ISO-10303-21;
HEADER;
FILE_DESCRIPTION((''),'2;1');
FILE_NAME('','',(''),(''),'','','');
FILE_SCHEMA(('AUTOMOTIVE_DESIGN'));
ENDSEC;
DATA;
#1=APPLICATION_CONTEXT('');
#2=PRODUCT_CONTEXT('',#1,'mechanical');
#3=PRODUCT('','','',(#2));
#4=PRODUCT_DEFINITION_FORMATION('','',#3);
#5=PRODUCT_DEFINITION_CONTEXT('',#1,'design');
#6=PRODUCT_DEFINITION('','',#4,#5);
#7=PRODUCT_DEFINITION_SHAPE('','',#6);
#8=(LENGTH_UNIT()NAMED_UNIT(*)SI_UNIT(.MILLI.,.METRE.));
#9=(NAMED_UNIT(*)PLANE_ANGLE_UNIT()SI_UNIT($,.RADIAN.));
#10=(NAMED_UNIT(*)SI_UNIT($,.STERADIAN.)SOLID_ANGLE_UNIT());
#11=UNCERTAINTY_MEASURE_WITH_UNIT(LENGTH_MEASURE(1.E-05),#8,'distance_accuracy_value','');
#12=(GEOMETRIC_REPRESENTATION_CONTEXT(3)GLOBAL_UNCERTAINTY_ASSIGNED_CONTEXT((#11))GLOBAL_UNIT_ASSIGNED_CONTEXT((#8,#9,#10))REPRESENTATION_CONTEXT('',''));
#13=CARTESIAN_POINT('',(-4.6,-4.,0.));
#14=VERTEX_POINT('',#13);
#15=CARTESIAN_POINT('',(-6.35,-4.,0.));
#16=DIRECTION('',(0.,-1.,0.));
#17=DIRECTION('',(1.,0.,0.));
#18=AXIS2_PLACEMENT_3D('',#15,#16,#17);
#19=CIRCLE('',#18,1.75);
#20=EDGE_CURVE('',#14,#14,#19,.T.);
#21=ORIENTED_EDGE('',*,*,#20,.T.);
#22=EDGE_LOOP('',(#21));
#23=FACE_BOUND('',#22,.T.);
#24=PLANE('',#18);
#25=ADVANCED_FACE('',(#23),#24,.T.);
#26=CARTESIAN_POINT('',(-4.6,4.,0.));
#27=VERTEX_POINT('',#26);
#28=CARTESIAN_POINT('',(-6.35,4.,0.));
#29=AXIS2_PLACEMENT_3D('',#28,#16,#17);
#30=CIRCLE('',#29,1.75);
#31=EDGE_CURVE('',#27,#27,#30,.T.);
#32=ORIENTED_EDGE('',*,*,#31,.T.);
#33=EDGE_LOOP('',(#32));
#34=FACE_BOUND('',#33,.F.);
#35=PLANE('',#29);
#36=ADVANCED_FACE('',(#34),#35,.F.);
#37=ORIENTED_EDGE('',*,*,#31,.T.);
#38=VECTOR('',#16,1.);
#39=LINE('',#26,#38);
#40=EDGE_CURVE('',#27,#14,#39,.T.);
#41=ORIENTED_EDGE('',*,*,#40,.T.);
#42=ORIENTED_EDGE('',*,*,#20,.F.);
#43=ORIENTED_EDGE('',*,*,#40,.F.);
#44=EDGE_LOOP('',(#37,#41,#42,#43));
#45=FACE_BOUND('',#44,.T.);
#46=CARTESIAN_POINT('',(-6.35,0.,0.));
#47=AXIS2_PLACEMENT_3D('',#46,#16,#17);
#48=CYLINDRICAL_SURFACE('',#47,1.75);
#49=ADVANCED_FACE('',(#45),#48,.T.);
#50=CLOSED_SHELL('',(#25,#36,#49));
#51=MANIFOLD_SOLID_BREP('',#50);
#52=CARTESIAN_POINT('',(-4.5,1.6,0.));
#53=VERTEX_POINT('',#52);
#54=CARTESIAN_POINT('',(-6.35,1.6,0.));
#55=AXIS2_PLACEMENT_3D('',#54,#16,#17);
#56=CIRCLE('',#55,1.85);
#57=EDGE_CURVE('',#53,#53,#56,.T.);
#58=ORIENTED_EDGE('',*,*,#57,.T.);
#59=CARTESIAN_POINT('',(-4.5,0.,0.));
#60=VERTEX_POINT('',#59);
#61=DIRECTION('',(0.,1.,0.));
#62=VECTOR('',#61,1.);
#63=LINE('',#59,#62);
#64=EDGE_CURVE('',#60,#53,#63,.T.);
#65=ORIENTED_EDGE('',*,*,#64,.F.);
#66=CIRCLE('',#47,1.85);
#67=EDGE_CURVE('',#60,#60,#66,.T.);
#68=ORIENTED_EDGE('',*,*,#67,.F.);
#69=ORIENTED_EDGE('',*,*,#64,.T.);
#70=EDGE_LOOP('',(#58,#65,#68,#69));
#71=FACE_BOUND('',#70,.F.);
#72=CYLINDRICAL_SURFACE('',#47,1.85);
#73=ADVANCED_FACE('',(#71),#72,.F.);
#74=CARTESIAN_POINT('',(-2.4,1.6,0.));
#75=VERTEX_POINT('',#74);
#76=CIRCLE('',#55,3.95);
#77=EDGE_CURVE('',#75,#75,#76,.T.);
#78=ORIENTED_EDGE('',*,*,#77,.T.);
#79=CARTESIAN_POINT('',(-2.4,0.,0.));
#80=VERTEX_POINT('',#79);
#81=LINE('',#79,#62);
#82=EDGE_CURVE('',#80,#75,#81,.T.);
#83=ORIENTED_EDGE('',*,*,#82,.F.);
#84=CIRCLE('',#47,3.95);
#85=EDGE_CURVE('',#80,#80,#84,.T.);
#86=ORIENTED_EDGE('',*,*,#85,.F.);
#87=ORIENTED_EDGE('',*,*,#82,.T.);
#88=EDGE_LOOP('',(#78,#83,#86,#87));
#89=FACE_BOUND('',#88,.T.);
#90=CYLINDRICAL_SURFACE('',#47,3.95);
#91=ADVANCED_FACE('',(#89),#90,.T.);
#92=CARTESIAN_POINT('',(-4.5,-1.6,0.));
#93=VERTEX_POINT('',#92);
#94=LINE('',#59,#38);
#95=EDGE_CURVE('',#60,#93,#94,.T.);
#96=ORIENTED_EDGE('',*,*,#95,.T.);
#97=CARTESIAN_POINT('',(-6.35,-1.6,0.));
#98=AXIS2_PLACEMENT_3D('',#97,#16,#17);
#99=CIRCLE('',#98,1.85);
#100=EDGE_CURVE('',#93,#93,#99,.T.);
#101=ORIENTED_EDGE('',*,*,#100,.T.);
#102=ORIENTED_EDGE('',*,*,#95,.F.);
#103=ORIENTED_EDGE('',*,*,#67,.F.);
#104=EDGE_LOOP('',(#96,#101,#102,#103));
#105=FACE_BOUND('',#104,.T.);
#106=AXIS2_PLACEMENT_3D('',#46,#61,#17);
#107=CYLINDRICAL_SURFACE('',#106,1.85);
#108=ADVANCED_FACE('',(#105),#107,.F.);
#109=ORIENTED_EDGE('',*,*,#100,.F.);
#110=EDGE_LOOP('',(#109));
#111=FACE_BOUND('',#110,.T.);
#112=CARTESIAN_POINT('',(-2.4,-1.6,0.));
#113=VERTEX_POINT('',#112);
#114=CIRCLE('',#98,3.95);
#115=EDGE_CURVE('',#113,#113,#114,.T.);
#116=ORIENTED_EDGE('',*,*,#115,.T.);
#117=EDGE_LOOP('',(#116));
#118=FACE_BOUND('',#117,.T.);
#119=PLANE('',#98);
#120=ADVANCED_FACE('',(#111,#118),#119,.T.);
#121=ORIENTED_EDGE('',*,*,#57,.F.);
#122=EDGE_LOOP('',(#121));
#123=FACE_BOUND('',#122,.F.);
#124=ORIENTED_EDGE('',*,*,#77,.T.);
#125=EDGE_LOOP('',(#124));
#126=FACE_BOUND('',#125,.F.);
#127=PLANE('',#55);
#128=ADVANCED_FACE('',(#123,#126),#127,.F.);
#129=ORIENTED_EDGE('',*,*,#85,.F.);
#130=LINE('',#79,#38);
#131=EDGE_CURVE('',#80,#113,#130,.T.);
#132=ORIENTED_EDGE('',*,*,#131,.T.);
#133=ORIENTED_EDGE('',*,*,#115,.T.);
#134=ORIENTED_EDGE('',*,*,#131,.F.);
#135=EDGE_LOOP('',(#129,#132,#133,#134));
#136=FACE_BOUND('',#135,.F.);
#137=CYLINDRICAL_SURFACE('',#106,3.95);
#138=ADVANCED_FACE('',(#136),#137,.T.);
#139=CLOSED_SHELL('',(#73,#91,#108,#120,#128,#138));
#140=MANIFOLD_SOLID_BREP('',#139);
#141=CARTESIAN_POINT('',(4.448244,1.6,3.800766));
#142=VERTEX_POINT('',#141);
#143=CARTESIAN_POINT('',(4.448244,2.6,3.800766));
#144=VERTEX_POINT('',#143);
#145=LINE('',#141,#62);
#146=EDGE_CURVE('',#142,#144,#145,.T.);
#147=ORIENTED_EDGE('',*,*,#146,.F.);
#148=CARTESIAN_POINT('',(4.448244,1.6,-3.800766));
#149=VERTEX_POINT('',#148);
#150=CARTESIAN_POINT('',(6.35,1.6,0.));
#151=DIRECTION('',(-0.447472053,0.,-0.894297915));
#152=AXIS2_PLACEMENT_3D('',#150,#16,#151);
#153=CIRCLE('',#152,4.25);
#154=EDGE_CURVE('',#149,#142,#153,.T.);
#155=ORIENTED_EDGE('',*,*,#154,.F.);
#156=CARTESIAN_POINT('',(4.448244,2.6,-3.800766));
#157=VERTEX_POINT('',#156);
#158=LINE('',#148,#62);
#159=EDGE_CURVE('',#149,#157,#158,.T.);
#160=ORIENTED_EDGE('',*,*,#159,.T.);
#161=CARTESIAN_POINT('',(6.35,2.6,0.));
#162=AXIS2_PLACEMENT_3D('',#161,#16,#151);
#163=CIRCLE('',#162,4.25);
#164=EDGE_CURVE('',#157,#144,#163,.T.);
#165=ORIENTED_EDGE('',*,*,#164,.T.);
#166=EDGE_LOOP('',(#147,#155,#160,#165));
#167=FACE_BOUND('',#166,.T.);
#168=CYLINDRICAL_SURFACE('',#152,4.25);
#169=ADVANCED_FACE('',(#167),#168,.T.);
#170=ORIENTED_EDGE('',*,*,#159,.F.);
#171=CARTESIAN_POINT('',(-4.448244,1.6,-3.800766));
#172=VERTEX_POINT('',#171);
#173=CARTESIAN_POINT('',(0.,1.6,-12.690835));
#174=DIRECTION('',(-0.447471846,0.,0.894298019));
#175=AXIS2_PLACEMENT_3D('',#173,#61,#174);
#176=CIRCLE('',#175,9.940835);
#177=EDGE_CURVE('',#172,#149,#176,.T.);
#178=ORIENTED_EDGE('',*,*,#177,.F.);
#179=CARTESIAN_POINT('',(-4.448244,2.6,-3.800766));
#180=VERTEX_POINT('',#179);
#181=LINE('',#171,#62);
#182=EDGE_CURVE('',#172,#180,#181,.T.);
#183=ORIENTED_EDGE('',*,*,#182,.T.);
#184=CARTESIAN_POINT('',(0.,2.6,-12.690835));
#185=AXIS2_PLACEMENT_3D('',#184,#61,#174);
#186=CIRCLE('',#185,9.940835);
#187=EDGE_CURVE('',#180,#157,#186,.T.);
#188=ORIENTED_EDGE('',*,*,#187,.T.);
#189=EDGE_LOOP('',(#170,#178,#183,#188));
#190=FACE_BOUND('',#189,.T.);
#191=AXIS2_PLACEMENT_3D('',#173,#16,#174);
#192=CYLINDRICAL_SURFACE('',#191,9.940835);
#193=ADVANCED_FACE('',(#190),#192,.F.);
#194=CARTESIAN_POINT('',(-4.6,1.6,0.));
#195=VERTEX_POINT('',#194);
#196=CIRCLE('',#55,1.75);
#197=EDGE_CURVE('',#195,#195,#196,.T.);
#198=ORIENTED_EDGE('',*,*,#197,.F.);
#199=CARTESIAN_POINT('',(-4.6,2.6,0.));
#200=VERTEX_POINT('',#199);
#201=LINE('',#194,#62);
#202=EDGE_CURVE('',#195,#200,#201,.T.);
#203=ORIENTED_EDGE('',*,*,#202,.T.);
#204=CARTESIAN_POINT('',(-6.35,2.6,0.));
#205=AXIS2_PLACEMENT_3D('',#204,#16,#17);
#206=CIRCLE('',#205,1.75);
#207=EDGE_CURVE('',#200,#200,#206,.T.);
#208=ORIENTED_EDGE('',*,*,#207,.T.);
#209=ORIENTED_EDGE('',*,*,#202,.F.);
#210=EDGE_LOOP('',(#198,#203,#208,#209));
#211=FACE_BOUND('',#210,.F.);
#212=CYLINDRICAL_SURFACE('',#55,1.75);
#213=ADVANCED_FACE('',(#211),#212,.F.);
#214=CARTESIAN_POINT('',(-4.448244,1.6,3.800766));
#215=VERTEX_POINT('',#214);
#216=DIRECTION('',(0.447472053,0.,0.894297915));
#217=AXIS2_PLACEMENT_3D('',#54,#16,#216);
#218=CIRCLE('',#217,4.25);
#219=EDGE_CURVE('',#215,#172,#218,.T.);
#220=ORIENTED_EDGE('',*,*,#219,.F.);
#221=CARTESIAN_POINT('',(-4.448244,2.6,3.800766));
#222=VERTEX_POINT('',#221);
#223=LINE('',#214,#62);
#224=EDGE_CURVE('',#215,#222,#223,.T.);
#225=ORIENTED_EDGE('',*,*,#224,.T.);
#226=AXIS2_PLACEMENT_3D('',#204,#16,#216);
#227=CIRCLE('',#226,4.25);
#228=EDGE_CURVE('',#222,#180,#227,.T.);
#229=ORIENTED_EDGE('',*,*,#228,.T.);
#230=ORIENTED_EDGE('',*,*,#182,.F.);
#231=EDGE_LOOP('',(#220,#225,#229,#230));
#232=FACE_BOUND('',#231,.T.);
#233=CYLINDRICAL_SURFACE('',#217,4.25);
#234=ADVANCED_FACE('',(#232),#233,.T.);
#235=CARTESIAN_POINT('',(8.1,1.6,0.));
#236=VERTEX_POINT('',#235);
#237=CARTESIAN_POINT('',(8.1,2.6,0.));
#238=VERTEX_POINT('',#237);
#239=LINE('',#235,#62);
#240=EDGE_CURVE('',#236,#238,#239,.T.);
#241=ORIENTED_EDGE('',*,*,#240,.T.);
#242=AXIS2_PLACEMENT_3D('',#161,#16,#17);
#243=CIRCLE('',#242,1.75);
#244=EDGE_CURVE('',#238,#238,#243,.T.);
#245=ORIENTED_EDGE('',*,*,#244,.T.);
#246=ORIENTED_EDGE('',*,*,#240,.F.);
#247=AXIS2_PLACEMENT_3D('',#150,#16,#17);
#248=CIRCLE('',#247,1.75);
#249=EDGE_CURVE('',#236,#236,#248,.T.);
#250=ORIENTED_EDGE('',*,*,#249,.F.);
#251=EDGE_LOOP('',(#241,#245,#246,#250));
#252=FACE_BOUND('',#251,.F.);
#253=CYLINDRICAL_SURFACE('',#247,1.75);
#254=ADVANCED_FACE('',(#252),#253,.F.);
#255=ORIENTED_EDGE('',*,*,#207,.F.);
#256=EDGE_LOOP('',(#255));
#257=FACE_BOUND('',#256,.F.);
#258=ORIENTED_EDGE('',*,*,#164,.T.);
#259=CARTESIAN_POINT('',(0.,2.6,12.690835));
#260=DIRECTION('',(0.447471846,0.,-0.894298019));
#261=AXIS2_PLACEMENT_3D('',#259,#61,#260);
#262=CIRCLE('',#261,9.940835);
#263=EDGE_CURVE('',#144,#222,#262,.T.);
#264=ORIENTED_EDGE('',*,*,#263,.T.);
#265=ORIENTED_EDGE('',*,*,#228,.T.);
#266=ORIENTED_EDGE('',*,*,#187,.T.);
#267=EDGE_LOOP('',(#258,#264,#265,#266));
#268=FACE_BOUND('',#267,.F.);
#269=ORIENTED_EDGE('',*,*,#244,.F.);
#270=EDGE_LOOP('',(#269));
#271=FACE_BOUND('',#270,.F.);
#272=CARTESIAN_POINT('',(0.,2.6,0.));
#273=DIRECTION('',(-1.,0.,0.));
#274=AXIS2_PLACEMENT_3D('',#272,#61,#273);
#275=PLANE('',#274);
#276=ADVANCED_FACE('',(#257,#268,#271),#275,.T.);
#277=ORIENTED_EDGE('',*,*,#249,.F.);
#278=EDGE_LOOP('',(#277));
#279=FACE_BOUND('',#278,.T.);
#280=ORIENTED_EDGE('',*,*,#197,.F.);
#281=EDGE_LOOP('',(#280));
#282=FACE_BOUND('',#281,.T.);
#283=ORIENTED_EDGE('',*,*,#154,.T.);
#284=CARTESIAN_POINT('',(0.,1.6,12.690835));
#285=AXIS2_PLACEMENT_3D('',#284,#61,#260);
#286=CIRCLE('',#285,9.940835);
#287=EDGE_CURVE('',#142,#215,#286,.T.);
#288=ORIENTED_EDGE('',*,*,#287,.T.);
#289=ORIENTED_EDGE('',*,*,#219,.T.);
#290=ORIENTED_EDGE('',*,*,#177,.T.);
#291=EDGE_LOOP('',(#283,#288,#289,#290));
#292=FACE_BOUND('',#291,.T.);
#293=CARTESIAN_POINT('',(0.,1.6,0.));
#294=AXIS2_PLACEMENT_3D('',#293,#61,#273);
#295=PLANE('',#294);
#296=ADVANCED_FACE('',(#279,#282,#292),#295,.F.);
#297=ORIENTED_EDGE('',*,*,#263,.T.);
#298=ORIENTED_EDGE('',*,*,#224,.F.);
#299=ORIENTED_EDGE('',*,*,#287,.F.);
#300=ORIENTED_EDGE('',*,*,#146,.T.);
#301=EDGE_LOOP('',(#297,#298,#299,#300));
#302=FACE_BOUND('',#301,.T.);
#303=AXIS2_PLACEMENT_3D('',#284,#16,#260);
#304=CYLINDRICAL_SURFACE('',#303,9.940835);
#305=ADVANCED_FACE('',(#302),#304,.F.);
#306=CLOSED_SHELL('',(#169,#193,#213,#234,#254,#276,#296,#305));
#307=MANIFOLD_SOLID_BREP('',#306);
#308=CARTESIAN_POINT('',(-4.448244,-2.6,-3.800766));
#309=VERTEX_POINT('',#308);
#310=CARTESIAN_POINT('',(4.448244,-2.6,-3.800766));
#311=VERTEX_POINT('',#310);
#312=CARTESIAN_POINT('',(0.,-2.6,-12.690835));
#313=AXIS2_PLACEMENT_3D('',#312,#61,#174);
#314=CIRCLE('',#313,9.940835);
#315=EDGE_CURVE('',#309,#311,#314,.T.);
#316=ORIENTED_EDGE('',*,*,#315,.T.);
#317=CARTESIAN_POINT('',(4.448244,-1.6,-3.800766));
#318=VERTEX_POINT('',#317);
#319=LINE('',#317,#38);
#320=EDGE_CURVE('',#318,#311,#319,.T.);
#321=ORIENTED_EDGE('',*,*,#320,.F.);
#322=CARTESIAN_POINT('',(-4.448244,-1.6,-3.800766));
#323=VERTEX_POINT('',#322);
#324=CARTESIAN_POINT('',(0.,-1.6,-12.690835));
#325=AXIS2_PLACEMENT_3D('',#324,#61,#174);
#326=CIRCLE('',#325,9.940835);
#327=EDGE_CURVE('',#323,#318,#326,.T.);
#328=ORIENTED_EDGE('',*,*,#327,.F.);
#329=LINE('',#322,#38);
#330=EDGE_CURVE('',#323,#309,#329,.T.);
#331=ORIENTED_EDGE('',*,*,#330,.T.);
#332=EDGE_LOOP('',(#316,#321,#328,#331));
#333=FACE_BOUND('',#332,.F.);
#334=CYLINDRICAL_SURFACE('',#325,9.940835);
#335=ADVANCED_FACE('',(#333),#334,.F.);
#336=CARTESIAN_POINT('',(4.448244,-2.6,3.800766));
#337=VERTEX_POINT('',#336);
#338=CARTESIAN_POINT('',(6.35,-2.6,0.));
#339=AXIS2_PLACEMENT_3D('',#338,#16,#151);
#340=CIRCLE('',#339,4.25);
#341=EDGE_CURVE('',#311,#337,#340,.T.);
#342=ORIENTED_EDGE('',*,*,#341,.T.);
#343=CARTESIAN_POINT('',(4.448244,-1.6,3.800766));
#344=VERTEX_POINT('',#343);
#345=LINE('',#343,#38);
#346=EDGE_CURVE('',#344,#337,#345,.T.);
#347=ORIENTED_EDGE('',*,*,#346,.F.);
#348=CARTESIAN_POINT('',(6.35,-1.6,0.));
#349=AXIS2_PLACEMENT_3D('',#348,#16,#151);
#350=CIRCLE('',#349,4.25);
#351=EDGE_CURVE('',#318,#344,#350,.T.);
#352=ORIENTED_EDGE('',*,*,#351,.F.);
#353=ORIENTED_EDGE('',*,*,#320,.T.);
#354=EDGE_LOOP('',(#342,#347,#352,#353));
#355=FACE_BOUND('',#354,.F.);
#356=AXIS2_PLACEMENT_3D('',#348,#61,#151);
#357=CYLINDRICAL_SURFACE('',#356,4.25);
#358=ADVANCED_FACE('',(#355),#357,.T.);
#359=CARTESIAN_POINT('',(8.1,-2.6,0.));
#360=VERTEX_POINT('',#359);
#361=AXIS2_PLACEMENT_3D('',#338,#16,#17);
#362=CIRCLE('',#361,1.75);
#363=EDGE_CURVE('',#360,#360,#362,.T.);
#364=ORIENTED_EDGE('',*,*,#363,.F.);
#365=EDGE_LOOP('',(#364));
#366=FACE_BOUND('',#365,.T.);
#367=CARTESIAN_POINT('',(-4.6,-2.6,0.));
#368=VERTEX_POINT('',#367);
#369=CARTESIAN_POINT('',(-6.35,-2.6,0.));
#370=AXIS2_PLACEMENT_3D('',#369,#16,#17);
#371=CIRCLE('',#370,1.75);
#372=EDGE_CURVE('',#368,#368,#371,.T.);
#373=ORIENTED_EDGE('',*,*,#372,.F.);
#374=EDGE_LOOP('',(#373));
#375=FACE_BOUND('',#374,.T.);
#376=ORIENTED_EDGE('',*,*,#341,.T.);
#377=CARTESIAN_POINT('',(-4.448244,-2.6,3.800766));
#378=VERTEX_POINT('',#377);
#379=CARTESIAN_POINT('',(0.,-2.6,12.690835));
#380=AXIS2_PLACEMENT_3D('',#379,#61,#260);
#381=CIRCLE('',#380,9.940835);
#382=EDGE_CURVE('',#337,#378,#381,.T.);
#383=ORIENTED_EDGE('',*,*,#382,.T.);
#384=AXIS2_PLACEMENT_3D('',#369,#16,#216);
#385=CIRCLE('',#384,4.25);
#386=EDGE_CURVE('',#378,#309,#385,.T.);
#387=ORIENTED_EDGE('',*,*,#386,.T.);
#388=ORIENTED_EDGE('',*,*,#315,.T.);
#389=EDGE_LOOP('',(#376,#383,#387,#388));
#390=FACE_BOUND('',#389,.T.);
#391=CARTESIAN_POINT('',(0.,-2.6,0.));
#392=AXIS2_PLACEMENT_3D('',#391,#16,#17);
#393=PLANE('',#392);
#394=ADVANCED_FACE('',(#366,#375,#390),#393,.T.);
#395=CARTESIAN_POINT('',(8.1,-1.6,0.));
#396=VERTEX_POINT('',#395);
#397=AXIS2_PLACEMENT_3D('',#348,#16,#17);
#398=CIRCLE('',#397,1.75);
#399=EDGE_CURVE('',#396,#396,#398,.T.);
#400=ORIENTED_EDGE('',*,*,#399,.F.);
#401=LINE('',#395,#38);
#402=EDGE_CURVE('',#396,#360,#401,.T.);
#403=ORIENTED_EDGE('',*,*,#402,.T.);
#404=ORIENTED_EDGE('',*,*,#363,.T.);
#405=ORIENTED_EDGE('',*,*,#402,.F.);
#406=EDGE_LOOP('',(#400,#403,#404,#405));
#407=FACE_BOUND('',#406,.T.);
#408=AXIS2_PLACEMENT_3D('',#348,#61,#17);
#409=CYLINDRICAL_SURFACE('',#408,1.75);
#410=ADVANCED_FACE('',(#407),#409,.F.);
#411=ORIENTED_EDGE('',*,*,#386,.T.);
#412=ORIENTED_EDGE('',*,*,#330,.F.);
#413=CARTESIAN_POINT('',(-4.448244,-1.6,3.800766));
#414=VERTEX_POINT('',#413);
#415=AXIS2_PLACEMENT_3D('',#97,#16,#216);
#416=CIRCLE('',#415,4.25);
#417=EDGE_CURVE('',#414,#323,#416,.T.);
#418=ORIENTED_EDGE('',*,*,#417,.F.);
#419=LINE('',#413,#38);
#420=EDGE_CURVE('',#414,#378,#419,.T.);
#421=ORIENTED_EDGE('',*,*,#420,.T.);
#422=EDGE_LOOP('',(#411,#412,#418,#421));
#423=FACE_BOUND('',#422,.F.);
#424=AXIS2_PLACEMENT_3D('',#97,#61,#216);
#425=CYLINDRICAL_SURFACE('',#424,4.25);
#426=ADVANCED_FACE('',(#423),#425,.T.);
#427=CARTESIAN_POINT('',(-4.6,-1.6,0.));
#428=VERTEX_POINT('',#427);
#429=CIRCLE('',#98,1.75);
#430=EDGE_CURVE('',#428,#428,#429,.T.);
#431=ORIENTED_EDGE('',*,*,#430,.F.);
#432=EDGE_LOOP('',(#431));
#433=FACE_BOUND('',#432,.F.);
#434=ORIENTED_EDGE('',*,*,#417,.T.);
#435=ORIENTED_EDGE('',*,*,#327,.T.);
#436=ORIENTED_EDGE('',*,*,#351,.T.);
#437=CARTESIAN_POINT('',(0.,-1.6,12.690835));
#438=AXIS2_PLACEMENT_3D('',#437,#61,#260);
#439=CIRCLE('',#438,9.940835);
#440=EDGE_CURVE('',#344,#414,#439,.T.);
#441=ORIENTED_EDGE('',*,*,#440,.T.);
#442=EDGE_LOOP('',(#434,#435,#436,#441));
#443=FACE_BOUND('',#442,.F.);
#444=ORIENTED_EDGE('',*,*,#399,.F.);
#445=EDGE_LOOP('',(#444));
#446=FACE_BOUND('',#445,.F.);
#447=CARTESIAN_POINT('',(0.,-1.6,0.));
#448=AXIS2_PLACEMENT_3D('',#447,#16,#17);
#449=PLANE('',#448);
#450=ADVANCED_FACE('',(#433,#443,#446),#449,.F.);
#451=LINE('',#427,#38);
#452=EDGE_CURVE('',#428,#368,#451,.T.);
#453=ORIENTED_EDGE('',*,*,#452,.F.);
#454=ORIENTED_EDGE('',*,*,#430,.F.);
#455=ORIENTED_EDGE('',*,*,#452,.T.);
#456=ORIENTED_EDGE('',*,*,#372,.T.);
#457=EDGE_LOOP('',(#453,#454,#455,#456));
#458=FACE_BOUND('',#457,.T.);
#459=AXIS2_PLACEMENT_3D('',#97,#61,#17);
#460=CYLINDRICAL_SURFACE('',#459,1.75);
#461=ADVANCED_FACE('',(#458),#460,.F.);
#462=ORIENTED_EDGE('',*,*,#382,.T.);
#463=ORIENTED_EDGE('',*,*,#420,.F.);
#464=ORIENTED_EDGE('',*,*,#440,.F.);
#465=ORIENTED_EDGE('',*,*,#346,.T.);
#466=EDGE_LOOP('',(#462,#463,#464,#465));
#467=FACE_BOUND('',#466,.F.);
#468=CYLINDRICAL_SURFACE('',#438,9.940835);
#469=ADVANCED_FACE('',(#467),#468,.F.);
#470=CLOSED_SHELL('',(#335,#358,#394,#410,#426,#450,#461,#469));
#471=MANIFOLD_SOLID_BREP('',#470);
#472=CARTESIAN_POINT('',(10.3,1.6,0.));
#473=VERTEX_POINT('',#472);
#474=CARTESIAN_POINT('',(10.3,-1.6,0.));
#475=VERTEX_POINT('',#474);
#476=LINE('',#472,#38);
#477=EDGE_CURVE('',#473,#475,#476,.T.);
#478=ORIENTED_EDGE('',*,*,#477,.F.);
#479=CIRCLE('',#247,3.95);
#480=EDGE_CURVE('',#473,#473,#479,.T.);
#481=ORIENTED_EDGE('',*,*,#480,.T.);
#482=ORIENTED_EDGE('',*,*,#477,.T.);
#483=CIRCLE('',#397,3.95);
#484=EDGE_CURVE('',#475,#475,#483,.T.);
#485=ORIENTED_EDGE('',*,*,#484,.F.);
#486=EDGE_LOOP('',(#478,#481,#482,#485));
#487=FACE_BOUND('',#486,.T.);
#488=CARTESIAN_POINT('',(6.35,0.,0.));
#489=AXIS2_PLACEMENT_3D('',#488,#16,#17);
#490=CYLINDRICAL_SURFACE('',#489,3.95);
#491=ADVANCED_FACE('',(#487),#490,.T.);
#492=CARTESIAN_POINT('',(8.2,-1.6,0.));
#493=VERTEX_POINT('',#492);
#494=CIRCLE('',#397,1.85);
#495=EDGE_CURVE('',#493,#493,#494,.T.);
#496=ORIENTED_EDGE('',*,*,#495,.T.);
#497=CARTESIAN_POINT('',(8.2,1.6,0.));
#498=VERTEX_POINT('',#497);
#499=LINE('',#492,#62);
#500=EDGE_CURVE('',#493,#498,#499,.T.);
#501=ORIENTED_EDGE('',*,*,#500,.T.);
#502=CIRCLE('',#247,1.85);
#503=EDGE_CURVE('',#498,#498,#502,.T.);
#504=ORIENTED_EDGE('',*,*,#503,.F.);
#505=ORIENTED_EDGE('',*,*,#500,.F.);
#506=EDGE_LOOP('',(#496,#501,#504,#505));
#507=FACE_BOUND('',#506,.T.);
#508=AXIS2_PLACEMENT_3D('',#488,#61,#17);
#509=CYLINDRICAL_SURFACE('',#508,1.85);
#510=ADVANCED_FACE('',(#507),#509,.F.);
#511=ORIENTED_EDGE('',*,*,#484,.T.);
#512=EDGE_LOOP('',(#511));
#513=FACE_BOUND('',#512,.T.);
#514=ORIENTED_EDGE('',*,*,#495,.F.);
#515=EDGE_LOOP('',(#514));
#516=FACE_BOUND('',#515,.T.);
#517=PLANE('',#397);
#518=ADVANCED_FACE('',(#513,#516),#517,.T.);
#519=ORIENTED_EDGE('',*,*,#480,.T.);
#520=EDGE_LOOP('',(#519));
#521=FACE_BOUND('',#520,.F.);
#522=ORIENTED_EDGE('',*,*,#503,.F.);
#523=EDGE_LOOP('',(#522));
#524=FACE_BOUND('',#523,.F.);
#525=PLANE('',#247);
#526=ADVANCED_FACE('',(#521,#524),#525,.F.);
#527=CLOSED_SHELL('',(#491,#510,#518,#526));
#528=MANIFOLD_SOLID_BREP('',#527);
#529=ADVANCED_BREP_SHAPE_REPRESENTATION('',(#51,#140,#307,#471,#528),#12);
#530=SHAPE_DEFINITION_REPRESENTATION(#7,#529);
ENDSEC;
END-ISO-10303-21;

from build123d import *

# Parameters (mm, degrees)
F0_R     = 3.95
F0_R_2   = 1.85
F1_DEPTH = 1.6
F2_R     = 1.75
F3_DEPTH = 1
F5_R     = 1.75
F6_DEPTH = 4


with BuildPart() as f1:
    # F0 (on Front) → F1 (new body, symmetric)
    with BuildSketch(Plane.XZ):
        with Locations((-6.35, 0)):
            Circle(F0_R)
        with Locations((-6.35, 0)):
            Circle(F0_R_2, mode=Mode.SUBTRACT)
        with Locations((6.35, 0)):
            Circle(F0_R)
        with Locations((6.35, 0)):
            Circle(F0_R_2, mode=Mode.SUBTRACT)
    extrude(amount=F1_DEPTH, both=True)


with BuildPart() as f3:
    # F2 (on face) → F3 (new body)
    with BuildSketch(Plane.XZ.offset(1.6)):
        with BuildLine():
            ThreePointArc((4.448244, 3.800766), (0, 2.75), (-4.448244, 3.800766))
            ThreePointArc((-4.448244, 3.800766), (-10.6, 0), (-4.448244, -3.800766))
            ThreePointArc((-4.448244, -3.800766), (0, -2.75), (4.448244, -3.800766))
            ThreePointArc((4.448244, -3.800766), (10.6, 0), (4.448244, 3.800766))
        make_face()
        with Locations((-6.35, 0)):
            Circle(F2_R, mode=Mode.SUBTRACT)
        with Locations((6.35, 0)):
            Circle(F2_R, mode=Mode.SUBTRACT)
    extrude(amount=F3_DEPTH)


with BuildPart() as f4_1:
    # F4: instance of F3
    add(f3.part.mirror(Plane.XZ))


with BuildPart() as f6:
    # F5 (on Front) → F6 (new body, symmetric)
    with BuildSketch(Plane.XZ):
        with Locations((-6.35, 0)):
            Circle(F5_R)
    extrude(amount=F6_DEPTH, both=True)


solid = Compound([f1.part, f3.part, f4_1.part, f6.part])
